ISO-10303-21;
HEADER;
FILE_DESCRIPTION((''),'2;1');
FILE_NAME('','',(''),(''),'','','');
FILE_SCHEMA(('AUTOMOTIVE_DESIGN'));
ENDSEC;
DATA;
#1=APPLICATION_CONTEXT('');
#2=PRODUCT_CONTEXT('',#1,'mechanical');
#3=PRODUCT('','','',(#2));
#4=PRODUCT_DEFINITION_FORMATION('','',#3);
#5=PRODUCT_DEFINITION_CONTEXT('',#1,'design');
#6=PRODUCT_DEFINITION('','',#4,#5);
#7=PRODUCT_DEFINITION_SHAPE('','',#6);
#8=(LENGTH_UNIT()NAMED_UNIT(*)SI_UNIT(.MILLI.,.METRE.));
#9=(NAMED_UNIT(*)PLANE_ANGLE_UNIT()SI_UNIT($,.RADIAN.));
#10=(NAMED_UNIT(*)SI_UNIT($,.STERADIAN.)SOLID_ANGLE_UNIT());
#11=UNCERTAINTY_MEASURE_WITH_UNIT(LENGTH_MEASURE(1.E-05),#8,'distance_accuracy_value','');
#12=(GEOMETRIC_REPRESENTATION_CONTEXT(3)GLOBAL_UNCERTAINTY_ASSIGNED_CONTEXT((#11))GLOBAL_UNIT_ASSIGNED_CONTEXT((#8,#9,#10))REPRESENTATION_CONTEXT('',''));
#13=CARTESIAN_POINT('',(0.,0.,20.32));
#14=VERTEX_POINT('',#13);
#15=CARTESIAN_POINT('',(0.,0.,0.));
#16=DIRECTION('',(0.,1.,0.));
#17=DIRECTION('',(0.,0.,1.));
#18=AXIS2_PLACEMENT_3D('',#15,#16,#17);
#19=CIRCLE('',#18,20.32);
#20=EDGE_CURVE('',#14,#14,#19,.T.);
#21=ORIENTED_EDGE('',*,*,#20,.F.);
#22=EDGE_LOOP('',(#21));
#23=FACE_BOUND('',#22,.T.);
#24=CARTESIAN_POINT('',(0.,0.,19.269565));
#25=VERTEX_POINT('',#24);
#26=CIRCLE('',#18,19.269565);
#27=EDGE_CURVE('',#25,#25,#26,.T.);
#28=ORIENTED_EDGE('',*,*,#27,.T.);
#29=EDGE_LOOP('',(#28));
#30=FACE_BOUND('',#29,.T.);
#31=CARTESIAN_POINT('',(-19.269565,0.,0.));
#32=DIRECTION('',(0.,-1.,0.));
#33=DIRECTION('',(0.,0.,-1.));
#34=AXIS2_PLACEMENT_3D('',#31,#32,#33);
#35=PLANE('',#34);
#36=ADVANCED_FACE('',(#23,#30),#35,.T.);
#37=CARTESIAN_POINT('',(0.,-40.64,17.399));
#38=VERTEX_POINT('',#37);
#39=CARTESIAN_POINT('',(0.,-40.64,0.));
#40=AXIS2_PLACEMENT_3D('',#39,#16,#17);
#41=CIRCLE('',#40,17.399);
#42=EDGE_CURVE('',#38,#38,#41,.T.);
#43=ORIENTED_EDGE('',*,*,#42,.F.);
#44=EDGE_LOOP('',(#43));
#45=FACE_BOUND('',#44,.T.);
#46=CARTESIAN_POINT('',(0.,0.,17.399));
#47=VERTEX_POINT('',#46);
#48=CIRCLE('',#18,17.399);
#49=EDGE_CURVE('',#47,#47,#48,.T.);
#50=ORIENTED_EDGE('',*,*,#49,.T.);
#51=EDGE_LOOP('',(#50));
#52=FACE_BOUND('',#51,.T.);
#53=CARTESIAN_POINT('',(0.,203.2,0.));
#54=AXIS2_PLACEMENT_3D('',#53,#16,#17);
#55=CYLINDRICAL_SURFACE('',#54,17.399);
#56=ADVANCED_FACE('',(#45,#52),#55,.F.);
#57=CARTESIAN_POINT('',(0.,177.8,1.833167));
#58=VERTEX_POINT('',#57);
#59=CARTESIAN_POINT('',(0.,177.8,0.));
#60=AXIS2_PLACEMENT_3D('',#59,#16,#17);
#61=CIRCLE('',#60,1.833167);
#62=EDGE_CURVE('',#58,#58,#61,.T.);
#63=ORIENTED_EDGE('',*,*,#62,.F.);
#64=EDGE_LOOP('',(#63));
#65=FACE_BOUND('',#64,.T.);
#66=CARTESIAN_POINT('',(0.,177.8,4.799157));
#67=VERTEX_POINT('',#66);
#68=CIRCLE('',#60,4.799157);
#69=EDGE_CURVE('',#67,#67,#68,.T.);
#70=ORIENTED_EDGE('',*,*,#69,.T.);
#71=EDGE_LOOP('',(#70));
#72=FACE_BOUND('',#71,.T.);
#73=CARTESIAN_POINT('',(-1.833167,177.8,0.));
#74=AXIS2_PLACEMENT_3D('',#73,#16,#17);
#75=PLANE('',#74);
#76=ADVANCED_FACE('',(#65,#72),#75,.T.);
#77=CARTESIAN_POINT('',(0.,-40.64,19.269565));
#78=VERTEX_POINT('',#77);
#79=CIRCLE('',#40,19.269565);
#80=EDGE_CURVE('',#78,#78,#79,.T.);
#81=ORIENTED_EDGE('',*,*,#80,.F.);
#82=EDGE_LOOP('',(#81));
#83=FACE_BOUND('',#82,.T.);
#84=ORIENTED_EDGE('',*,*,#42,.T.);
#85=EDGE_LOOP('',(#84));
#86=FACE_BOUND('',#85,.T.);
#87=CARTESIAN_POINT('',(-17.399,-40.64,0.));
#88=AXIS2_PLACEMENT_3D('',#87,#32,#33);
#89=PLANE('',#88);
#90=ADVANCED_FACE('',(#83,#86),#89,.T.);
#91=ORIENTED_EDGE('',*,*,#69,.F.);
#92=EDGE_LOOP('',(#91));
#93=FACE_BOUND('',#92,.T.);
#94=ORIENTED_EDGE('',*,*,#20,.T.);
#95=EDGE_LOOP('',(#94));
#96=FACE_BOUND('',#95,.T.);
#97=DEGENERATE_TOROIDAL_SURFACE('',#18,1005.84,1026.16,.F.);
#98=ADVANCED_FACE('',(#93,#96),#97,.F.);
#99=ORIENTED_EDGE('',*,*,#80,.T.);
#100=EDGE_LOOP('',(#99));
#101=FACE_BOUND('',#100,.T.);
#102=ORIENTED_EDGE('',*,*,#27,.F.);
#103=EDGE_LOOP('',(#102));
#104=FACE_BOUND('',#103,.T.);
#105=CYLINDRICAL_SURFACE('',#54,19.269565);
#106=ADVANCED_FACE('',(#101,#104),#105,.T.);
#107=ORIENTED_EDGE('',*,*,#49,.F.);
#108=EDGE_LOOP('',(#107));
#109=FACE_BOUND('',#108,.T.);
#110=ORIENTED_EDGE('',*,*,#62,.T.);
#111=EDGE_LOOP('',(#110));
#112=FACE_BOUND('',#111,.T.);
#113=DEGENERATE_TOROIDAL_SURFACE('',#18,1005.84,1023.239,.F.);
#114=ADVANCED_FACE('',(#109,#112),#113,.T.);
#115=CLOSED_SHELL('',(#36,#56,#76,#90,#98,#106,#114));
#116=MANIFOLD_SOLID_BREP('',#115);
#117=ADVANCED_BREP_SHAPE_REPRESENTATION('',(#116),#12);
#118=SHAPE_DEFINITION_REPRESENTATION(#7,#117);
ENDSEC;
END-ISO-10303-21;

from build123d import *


with BuildPart() as part:
    # Sketch1 → Revolve3 (revolve)
    with BuildSketch(Plane.XY, mode=Mode.PRIVATE) as revolve3_sk:
        with BuildLine():
            Line((-17.399, 0), (-17.399, -40.64))
            Line((-17.399, -40.64), (-19.269565144, -40.64))
            Line((-19.269565144, -40.64), (-19.269565144, 0))
            Line((-19.269565144, 0), (-20.32, 0))
            ThreePointArc((-20.32, 0), (-16.432425265, 89.23807563), (-4.799156969, 177.8))
            Line((-4.799156969, 177.8), (-1.833166816, 177.8))
            ThreePointArc((-1.833166816, 177.8), (-13.500113667, 89.240034686), (-17.399, 0))
        make_face()
    revolve(revolve3_sk.sketch.rotate(Axis((0, 203.2, 0), (0, -1, 0)), 270), axis=Axis((0, 203.2, 0), (0, -1, 0)))


solid = part.part
